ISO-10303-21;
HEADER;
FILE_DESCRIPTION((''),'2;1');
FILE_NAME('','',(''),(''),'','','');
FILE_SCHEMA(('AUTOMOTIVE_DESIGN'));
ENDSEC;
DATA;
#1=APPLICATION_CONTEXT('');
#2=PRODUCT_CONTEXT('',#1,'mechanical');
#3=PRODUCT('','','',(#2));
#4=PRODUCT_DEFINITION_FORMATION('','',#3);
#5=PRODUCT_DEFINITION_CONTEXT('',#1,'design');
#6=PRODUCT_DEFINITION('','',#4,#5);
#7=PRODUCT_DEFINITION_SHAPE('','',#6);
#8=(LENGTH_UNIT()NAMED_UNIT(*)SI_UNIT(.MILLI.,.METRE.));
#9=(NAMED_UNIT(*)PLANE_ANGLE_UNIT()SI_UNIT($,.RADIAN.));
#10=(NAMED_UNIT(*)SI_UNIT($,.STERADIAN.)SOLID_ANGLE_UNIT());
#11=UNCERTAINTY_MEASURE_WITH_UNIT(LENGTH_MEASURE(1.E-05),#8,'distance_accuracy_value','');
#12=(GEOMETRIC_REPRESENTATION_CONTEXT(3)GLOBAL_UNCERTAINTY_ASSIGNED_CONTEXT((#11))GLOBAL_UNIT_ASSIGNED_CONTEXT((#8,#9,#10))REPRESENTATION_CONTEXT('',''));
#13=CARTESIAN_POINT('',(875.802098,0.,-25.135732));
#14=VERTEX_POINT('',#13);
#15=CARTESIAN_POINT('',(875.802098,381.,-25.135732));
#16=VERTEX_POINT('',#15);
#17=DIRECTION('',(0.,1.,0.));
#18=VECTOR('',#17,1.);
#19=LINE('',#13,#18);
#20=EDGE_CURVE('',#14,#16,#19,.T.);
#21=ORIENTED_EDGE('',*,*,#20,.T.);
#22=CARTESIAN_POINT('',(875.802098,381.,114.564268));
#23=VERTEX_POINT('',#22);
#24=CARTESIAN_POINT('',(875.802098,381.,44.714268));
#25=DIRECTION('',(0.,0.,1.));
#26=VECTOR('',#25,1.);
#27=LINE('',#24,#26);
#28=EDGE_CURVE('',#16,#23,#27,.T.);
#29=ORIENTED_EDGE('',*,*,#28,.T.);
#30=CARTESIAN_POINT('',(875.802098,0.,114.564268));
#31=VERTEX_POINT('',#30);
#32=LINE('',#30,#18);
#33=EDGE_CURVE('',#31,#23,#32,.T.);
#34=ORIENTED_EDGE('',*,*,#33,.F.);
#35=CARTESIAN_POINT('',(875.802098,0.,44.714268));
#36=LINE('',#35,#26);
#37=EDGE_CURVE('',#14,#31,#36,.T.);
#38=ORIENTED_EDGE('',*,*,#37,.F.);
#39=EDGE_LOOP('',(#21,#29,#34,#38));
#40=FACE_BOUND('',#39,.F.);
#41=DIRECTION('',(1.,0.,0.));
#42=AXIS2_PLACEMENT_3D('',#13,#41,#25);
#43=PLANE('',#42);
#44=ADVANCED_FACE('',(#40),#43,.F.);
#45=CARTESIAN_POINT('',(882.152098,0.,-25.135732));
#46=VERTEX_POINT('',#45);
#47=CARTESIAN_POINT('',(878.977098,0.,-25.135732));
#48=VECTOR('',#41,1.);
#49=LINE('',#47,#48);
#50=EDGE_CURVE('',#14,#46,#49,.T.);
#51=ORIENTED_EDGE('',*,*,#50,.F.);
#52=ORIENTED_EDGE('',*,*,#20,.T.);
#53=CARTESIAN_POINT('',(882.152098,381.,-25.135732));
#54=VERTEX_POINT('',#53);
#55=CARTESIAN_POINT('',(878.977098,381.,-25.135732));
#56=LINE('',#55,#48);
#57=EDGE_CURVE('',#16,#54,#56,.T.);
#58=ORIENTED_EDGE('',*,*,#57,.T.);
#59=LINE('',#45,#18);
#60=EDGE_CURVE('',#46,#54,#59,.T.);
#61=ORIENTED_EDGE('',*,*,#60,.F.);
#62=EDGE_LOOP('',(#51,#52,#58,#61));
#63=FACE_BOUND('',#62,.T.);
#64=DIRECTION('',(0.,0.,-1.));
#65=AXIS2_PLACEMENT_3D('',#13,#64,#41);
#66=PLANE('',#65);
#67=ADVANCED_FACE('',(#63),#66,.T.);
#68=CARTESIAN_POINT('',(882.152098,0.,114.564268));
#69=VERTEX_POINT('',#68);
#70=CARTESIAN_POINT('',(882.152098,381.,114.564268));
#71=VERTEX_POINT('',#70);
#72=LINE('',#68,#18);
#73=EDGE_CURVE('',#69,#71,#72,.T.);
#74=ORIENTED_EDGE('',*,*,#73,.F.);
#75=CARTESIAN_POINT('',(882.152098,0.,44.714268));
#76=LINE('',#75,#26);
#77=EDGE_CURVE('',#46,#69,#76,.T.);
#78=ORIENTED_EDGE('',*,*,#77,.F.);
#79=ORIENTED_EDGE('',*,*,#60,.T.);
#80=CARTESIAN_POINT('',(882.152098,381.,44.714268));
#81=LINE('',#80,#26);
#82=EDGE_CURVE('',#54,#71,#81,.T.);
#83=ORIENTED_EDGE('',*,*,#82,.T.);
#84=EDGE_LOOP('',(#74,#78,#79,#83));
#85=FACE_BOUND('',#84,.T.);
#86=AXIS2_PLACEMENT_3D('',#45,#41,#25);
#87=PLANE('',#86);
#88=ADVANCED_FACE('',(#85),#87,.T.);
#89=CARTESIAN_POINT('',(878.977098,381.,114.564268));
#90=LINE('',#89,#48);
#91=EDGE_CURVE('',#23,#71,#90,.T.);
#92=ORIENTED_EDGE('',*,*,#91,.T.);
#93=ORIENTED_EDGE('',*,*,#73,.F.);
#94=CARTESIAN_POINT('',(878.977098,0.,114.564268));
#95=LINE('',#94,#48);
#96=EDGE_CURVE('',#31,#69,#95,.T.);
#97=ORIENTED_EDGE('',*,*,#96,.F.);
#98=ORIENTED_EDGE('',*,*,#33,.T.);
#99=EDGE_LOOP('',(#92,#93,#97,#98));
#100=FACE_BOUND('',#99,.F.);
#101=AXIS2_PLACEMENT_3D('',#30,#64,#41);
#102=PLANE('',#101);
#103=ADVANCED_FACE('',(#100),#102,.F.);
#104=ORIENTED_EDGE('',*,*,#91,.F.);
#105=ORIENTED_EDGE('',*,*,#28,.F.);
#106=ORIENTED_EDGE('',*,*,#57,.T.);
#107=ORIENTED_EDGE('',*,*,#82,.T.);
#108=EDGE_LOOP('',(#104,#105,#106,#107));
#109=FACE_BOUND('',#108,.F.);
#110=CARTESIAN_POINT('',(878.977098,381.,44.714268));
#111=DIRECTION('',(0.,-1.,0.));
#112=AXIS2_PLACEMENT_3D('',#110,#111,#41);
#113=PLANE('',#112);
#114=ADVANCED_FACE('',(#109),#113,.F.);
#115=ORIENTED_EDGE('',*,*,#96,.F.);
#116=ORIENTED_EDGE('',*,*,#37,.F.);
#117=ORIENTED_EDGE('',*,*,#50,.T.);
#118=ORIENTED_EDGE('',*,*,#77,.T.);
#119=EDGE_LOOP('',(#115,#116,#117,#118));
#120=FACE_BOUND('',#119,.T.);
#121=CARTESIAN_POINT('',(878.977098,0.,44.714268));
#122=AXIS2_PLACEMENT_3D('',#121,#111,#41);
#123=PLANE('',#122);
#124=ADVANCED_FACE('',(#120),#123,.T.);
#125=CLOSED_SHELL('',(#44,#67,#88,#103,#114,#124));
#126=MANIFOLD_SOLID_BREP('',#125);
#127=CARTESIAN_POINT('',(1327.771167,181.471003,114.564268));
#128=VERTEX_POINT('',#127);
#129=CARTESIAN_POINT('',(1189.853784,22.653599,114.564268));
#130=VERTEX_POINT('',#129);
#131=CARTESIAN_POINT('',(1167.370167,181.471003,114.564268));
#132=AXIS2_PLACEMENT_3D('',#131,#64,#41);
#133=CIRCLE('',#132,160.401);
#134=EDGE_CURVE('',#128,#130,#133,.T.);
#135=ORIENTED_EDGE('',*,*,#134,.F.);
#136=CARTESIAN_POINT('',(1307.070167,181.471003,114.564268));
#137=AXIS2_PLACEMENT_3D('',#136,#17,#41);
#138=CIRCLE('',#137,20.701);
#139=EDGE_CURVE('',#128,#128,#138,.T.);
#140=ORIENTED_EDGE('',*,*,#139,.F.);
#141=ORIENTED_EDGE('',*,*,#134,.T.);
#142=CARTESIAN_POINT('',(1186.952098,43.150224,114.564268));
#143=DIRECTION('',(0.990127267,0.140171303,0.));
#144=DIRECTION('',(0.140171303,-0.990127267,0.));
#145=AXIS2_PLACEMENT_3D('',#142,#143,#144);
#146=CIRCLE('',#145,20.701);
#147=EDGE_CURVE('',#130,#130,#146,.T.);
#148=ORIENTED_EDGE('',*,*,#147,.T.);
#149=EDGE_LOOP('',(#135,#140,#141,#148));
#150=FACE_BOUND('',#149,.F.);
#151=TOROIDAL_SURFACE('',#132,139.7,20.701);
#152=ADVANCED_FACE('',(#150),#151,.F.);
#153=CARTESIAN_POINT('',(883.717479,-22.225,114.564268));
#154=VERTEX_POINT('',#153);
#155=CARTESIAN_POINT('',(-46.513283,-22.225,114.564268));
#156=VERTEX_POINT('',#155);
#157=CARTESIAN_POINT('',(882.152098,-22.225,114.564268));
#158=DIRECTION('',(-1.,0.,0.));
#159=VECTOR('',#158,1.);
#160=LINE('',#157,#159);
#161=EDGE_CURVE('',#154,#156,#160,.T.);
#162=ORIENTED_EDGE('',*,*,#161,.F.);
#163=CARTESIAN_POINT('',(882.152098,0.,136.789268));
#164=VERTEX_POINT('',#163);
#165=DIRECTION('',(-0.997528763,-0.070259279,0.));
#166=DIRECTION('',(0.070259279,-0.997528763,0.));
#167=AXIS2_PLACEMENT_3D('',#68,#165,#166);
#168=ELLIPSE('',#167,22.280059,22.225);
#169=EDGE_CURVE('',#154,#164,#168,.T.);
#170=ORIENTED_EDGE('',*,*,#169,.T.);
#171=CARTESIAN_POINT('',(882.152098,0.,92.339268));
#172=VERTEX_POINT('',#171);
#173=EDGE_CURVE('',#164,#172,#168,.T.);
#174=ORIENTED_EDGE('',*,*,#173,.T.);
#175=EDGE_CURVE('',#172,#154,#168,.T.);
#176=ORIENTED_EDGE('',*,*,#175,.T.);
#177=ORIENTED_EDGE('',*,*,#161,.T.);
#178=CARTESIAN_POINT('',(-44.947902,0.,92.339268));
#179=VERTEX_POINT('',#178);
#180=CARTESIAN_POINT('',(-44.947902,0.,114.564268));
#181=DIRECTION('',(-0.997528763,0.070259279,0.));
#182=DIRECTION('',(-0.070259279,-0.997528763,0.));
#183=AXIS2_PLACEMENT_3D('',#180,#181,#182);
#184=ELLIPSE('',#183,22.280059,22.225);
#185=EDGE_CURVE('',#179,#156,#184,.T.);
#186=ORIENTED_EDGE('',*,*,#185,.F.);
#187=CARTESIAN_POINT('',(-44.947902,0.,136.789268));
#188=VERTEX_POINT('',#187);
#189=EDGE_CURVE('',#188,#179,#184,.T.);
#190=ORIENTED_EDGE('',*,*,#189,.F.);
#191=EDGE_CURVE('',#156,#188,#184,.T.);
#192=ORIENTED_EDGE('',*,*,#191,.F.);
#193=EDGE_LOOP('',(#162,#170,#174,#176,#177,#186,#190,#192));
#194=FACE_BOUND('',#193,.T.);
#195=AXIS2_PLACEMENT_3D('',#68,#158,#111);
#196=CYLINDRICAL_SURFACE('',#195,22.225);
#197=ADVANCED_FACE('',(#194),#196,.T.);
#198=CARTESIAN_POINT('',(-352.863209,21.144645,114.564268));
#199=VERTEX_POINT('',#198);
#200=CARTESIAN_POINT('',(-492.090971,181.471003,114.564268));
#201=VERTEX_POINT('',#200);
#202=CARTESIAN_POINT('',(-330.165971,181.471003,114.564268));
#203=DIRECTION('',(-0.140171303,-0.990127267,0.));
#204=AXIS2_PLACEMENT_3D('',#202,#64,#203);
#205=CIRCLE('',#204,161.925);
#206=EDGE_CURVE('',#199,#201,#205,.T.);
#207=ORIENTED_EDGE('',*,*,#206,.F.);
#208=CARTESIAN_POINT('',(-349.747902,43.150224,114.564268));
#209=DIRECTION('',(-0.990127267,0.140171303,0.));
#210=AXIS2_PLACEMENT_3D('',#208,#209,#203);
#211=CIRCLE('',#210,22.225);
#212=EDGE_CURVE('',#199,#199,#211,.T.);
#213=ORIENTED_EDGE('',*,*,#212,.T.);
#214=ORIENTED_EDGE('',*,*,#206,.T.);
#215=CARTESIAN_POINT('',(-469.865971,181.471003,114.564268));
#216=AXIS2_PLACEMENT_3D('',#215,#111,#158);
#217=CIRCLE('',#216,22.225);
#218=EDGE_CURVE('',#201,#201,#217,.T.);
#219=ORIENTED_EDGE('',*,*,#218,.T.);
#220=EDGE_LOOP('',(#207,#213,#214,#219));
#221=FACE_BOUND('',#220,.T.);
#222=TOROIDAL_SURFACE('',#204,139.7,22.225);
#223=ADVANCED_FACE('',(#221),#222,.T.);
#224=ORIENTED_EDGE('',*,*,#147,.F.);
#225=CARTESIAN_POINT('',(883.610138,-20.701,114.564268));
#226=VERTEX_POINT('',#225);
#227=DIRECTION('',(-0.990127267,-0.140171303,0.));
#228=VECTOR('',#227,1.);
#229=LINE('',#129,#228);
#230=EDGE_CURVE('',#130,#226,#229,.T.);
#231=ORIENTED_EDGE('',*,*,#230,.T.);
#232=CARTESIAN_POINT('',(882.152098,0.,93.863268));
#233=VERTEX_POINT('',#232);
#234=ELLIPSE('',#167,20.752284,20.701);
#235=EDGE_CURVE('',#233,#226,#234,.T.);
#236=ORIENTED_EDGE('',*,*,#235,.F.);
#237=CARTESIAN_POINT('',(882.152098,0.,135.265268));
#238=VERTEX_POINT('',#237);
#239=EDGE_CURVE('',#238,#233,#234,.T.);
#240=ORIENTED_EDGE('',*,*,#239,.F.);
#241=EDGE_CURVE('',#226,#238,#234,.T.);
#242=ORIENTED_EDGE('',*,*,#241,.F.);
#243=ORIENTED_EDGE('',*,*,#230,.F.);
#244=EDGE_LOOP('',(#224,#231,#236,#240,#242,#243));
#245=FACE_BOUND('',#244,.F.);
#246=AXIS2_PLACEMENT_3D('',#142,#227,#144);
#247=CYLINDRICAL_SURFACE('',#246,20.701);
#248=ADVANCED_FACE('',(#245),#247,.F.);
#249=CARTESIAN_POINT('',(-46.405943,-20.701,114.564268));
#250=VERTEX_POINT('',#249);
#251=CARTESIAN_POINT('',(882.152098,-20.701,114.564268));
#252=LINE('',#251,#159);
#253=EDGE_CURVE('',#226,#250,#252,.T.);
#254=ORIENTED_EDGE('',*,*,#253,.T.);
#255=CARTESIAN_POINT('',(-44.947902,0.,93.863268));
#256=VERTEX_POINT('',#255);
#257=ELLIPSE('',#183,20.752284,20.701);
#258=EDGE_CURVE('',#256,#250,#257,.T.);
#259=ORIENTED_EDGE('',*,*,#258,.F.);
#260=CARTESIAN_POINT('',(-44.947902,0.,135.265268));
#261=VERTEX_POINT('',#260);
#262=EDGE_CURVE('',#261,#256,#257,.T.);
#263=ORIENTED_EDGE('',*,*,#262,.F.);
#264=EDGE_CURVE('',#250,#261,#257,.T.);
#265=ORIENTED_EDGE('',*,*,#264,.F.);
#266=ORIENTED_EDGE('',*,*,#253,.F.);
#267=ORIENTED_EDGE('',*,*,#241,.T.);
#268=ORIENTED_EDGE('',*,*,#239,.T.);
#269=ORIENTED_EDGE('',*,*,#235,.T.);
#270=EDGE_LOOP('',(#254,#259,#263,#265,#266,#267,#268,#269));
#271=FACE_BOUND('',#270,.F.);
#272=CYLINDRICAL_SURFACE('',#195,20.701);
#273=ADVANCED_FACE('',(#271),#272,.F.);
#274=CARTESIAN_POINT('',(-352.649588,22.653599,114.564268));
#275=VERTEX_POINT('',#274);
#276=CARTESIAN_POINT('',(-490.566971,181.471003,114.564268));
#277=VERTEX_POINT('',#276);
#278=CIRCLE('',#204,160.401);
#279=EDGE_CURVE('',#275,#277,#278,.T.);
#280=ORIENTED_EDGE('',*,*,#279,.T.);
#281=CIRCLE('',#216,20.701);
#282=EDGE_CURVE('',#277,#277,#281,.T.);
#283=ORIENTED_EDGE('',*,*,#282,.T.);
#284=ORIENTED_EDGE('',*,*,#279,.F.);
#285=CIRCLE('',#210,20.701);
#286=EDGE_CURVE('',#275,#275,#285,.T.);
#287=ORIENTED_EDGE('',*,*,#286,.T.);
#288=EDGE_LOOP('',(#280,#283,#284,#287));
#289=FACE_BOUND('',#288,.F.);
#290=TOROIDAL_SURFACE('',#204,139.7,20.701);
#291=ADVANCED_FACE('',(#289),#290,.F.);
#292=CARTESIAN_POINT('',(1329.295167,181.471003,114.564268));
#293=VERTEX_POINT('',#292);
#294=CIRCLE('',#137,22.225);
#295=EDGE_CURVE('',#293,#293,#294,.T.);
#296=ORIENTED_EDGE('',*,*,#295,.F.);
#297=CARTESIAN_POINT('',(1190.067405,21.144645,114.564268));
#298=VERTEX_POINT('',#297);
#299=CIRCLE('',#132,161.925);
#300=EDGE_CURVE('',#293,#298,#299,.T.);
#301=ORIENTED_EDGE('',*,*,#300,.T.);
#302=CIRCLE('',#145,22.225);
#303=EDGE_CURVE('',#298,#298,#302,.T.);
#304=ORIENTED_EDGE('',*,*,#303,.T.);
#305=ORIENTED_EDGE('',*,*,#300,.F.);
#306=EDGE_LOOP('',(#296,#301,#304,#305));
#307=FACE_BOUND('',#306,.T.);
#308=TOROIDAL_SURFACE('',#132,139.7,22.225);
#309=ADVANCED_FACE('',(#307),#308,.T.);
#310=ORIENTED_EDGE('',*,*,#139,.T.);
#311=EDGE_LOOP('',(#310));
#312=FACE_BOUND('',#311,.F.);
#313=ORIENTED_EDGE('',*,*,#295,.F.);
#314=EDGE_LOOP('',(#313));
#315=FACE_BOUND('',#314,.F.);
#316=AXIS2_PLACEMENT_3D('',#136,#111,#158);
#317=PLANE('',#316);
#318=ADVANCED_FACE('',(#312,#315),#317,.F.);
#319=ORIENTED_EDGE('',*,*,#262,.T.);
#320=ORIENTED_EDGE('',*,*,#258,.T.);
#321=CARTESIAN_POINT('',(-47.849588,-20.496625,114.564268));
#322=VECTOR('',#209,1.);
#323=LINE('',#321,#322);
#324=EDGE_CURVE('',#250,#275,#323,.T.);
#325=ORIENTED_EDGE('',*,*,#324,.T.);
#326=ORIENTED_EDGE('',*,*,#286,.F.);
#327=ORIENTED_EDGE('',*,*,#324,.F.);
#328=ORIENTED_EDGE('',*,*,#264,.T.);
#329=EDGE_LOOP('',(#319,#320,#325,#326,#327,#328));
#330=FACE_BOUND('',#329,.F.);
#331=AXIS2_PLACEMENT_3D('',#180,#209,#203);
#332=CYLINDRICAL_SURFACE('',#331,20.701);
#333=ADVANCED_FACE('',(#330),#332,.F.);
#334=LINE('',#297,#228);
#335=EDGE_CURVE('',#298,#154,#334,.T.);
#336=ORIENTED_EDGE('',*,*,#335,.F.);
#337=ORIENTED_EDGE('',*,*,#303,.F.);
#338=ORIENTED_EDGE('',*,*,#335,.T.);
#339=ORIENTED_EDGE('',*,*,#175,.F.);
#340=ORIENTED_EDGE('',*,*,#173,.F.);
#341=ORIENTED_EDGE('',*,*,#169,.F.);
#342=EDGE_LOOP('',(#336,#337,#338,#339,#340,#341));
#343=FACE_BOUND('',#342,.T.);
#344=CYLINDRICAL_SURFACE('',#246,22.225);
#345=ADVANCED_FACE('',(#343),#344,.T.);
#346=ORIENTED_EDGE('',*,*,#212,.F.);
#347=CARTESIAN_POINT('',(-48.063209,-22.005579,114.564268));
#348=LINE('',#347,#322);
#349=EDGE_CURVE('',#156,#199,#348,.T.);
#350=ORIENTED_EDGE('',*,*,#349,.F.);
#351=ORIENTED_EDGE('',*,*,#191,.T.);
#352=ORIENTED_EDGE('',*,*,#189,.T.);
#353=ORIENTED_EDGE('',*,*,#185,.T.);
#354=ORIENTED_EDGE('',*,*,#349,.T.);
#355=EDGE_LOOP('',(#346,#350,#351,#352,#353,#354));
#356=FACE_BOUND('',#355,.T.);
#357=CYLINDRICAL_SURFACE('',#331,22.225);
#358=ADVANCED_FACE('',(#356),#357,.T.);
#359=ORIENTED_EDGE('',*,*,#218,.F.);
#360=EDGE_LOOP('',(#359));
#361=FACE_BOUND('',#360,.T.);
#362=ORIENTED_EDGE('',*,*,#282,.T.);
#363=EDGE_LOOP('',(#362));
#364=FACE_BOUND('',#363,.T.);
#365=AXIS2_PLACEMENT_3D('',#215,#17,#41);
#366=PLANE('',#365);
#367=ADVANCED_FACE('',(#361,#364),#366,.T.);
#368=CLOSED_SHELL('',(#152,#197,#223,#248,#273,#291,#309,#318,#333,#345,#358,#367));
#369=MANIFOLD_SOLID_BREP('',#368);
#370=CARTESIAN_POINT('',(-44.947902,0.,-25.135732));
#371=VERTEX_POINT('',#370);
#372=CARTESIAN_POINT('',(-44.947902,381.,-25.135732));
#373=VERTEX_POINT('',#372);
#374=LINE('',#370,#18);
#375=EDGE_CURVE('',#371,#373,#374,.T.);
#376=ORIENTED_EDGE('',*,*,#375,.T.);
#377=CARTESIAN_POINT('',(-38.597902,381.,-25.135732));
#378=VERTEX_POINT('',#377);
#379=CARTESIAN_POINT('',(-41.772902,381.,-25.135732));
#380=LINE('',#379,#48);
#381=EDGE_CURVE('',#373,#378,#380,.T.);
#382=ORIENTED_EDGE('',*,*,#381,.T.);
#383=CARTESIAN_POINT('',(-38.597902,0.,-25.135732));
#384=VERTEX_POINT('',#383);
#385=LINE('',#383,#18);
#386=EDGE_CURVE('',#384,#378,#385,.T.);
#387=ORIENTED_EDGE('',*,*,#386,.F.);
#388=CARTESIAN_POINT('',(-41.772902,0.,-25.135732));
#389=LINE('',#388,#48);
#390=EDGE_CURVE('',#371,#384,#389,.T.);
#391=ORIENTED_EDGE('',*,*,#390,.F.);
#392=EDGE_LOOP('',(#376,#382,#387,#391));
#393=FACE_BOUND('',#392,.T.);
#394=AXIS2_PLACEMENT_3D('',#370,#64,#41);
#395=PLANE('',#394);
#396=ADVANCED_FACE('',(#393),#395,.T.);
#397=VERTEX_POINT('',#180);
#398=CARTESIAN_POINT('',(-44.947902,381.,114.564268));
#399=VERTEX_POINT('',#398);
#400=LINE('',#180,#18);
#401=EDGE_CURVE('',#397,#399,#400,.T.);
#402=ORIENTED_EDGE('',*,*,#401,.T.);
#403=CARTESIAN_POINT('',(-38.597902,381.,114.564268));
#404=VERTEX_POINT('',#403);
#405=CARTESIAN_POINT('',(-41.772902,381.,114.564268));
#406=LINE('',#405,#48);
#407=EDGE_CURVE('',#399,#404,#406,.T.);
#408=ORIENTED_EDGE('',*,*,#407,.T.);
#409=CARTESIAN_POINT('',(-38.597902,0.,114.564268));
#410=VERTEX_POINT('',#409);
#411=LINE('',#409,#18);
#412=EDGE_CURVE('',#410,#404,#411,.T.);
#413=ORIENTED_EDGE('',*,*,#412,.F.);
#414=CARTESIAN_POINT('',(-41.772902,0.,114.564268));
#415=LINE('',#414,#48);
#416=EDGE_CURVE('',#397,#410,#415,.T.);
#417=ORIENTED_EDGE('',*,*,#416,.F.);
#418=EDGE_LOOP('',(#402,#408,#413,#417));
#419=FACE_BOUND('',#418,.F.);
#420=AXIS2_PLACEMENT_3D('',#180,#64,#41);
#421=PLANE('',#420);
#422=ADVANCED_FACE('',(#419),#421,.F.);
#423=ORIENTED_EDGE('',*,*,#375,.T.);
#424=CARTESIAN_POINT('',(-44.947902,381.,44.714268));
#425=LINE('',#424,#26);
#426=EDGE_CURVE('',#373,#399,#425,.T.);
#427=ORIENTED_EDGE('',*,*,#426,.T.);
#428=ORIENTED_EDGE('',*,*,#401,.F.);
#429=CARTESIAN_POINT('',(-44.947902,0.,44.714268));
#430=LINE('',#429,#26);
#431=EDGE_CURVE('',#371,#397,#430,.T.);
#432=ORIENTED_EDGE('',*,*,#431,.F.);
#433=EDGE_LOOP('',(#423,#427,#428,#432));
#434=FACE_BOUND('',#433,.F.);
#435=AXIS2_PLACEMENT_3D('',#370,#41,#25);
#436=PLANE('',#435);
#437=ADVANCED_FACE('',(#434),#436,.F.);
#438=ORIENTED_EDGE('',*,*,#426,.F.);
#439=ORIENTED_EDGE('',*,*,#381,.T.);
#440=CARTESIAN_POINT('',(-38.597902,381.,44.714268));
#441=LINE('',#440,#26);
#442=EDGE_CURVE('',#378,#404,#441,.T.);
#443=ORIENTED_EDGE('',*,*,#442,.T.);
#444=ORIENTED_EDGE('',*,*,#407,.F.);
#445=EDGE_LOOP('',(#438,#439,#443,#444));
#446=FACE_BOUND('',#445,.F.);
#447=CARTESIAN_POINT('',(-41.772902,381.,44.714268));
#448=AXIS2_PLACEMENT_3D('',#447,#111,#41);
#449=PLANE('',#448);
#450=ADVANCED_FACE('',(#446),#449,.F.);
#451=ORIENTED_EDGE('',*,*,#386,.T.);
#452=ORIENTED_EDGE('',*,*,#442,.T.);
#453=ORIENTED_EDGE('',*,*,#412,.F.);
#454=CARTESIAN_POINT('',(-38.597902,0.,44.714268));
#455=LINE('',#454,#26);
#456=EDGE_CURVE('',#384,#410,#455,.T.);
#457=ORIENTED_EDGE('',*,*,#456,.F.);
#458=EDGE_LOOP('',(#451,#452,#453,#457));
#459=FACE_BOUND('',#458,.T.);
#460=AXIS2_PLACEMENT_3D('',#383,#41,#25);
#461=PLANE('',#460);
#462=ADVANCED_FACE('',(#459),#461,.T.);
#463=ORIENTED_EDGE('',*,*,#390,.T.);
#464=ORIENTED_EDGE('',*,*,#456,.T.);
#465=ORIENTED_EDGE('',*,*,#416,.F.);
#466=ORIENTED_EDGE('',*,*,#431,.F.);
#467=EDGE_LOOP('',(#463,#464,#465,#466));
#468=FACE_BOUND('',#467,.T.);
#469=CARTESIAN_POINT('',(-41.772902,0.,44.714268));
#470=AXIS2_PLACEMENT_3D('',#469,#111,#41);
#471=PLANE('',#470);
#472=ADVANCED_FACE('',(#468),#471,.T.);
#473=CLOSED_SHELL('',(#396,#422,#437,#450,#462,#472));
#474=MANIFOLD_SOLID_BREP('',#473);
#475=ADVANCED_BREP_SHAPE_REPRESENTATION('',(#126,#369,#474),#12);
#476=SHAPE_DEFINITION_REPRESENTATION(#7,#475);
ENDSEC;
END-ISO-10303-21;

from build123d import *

# Parameters (mm, degrees)
F0_W     = 6.35
F0_H     = 139.7
F1_DEPTH = 381
F5_R     = 22.225
F5_R_2   = 20.701


with BuildPart() as f1:
    # F0 (on Front) → F1 (new body)
    with BuildSketch(Plane.XZ):
        with Locations((-41.7729020119, 44.714268426)):
            Rectangle(F0_W, F0_H)
    extrude(amount=-F1_DEPTH)


with BuildPart() as f1b:
    # F0 (on Front) → F1, piece 2 (new body)
    with BuildSketch(Plane.XZ):
        with Locations((878.9770979881, 44.714268426)):
            Rectangle(F0_W, F0_H)
    extrude(amount=-F1_DEPTH)


with BuildPart() as f6:
    # F6: sweep along a path in F3
    with BuildLine(Plane(origin=(0, 0, 114.564268426), x_dir=(1, 0, 0), z_dir=(0, 0, -1))) as f6_path:
        ThreePointArc((1307.0701669502, -181.4710030579), (1272.8492780718, -89.8727109504), (1186.9520979881, -43.1502237916))
        Line((1186.9520979881, -43.1502237916), (882.1520979881, 0))
        Line((882.1520979881, 0), (-44.9479020119, 0))
        Line((-44.9479020119, 0), (-349.7479020119, -43.1502237916))
        ThreePointArc((-349.7479020119, -43.1502237916), (-435.6450820955, -89.8727109504), (-469.8659709739, -181.4710030579))
    # F5 (on line) → F6 (sweep)
    with BuildSketch(Plane.XZ.offset(-181.4710030579)):
        with Locations((1307.0701669502, 114.564268426)):
            Circle(F5_R)
        with Locations((1307.0701669502, 114.564268426)):
            Circle(F5_R_2, mode=Mode.SUBTRACT)
    sweep(path=f6_path.line, transition=Transition.RIGHT)


solid = Compound([f1.part, f1b.part, f6.part])
